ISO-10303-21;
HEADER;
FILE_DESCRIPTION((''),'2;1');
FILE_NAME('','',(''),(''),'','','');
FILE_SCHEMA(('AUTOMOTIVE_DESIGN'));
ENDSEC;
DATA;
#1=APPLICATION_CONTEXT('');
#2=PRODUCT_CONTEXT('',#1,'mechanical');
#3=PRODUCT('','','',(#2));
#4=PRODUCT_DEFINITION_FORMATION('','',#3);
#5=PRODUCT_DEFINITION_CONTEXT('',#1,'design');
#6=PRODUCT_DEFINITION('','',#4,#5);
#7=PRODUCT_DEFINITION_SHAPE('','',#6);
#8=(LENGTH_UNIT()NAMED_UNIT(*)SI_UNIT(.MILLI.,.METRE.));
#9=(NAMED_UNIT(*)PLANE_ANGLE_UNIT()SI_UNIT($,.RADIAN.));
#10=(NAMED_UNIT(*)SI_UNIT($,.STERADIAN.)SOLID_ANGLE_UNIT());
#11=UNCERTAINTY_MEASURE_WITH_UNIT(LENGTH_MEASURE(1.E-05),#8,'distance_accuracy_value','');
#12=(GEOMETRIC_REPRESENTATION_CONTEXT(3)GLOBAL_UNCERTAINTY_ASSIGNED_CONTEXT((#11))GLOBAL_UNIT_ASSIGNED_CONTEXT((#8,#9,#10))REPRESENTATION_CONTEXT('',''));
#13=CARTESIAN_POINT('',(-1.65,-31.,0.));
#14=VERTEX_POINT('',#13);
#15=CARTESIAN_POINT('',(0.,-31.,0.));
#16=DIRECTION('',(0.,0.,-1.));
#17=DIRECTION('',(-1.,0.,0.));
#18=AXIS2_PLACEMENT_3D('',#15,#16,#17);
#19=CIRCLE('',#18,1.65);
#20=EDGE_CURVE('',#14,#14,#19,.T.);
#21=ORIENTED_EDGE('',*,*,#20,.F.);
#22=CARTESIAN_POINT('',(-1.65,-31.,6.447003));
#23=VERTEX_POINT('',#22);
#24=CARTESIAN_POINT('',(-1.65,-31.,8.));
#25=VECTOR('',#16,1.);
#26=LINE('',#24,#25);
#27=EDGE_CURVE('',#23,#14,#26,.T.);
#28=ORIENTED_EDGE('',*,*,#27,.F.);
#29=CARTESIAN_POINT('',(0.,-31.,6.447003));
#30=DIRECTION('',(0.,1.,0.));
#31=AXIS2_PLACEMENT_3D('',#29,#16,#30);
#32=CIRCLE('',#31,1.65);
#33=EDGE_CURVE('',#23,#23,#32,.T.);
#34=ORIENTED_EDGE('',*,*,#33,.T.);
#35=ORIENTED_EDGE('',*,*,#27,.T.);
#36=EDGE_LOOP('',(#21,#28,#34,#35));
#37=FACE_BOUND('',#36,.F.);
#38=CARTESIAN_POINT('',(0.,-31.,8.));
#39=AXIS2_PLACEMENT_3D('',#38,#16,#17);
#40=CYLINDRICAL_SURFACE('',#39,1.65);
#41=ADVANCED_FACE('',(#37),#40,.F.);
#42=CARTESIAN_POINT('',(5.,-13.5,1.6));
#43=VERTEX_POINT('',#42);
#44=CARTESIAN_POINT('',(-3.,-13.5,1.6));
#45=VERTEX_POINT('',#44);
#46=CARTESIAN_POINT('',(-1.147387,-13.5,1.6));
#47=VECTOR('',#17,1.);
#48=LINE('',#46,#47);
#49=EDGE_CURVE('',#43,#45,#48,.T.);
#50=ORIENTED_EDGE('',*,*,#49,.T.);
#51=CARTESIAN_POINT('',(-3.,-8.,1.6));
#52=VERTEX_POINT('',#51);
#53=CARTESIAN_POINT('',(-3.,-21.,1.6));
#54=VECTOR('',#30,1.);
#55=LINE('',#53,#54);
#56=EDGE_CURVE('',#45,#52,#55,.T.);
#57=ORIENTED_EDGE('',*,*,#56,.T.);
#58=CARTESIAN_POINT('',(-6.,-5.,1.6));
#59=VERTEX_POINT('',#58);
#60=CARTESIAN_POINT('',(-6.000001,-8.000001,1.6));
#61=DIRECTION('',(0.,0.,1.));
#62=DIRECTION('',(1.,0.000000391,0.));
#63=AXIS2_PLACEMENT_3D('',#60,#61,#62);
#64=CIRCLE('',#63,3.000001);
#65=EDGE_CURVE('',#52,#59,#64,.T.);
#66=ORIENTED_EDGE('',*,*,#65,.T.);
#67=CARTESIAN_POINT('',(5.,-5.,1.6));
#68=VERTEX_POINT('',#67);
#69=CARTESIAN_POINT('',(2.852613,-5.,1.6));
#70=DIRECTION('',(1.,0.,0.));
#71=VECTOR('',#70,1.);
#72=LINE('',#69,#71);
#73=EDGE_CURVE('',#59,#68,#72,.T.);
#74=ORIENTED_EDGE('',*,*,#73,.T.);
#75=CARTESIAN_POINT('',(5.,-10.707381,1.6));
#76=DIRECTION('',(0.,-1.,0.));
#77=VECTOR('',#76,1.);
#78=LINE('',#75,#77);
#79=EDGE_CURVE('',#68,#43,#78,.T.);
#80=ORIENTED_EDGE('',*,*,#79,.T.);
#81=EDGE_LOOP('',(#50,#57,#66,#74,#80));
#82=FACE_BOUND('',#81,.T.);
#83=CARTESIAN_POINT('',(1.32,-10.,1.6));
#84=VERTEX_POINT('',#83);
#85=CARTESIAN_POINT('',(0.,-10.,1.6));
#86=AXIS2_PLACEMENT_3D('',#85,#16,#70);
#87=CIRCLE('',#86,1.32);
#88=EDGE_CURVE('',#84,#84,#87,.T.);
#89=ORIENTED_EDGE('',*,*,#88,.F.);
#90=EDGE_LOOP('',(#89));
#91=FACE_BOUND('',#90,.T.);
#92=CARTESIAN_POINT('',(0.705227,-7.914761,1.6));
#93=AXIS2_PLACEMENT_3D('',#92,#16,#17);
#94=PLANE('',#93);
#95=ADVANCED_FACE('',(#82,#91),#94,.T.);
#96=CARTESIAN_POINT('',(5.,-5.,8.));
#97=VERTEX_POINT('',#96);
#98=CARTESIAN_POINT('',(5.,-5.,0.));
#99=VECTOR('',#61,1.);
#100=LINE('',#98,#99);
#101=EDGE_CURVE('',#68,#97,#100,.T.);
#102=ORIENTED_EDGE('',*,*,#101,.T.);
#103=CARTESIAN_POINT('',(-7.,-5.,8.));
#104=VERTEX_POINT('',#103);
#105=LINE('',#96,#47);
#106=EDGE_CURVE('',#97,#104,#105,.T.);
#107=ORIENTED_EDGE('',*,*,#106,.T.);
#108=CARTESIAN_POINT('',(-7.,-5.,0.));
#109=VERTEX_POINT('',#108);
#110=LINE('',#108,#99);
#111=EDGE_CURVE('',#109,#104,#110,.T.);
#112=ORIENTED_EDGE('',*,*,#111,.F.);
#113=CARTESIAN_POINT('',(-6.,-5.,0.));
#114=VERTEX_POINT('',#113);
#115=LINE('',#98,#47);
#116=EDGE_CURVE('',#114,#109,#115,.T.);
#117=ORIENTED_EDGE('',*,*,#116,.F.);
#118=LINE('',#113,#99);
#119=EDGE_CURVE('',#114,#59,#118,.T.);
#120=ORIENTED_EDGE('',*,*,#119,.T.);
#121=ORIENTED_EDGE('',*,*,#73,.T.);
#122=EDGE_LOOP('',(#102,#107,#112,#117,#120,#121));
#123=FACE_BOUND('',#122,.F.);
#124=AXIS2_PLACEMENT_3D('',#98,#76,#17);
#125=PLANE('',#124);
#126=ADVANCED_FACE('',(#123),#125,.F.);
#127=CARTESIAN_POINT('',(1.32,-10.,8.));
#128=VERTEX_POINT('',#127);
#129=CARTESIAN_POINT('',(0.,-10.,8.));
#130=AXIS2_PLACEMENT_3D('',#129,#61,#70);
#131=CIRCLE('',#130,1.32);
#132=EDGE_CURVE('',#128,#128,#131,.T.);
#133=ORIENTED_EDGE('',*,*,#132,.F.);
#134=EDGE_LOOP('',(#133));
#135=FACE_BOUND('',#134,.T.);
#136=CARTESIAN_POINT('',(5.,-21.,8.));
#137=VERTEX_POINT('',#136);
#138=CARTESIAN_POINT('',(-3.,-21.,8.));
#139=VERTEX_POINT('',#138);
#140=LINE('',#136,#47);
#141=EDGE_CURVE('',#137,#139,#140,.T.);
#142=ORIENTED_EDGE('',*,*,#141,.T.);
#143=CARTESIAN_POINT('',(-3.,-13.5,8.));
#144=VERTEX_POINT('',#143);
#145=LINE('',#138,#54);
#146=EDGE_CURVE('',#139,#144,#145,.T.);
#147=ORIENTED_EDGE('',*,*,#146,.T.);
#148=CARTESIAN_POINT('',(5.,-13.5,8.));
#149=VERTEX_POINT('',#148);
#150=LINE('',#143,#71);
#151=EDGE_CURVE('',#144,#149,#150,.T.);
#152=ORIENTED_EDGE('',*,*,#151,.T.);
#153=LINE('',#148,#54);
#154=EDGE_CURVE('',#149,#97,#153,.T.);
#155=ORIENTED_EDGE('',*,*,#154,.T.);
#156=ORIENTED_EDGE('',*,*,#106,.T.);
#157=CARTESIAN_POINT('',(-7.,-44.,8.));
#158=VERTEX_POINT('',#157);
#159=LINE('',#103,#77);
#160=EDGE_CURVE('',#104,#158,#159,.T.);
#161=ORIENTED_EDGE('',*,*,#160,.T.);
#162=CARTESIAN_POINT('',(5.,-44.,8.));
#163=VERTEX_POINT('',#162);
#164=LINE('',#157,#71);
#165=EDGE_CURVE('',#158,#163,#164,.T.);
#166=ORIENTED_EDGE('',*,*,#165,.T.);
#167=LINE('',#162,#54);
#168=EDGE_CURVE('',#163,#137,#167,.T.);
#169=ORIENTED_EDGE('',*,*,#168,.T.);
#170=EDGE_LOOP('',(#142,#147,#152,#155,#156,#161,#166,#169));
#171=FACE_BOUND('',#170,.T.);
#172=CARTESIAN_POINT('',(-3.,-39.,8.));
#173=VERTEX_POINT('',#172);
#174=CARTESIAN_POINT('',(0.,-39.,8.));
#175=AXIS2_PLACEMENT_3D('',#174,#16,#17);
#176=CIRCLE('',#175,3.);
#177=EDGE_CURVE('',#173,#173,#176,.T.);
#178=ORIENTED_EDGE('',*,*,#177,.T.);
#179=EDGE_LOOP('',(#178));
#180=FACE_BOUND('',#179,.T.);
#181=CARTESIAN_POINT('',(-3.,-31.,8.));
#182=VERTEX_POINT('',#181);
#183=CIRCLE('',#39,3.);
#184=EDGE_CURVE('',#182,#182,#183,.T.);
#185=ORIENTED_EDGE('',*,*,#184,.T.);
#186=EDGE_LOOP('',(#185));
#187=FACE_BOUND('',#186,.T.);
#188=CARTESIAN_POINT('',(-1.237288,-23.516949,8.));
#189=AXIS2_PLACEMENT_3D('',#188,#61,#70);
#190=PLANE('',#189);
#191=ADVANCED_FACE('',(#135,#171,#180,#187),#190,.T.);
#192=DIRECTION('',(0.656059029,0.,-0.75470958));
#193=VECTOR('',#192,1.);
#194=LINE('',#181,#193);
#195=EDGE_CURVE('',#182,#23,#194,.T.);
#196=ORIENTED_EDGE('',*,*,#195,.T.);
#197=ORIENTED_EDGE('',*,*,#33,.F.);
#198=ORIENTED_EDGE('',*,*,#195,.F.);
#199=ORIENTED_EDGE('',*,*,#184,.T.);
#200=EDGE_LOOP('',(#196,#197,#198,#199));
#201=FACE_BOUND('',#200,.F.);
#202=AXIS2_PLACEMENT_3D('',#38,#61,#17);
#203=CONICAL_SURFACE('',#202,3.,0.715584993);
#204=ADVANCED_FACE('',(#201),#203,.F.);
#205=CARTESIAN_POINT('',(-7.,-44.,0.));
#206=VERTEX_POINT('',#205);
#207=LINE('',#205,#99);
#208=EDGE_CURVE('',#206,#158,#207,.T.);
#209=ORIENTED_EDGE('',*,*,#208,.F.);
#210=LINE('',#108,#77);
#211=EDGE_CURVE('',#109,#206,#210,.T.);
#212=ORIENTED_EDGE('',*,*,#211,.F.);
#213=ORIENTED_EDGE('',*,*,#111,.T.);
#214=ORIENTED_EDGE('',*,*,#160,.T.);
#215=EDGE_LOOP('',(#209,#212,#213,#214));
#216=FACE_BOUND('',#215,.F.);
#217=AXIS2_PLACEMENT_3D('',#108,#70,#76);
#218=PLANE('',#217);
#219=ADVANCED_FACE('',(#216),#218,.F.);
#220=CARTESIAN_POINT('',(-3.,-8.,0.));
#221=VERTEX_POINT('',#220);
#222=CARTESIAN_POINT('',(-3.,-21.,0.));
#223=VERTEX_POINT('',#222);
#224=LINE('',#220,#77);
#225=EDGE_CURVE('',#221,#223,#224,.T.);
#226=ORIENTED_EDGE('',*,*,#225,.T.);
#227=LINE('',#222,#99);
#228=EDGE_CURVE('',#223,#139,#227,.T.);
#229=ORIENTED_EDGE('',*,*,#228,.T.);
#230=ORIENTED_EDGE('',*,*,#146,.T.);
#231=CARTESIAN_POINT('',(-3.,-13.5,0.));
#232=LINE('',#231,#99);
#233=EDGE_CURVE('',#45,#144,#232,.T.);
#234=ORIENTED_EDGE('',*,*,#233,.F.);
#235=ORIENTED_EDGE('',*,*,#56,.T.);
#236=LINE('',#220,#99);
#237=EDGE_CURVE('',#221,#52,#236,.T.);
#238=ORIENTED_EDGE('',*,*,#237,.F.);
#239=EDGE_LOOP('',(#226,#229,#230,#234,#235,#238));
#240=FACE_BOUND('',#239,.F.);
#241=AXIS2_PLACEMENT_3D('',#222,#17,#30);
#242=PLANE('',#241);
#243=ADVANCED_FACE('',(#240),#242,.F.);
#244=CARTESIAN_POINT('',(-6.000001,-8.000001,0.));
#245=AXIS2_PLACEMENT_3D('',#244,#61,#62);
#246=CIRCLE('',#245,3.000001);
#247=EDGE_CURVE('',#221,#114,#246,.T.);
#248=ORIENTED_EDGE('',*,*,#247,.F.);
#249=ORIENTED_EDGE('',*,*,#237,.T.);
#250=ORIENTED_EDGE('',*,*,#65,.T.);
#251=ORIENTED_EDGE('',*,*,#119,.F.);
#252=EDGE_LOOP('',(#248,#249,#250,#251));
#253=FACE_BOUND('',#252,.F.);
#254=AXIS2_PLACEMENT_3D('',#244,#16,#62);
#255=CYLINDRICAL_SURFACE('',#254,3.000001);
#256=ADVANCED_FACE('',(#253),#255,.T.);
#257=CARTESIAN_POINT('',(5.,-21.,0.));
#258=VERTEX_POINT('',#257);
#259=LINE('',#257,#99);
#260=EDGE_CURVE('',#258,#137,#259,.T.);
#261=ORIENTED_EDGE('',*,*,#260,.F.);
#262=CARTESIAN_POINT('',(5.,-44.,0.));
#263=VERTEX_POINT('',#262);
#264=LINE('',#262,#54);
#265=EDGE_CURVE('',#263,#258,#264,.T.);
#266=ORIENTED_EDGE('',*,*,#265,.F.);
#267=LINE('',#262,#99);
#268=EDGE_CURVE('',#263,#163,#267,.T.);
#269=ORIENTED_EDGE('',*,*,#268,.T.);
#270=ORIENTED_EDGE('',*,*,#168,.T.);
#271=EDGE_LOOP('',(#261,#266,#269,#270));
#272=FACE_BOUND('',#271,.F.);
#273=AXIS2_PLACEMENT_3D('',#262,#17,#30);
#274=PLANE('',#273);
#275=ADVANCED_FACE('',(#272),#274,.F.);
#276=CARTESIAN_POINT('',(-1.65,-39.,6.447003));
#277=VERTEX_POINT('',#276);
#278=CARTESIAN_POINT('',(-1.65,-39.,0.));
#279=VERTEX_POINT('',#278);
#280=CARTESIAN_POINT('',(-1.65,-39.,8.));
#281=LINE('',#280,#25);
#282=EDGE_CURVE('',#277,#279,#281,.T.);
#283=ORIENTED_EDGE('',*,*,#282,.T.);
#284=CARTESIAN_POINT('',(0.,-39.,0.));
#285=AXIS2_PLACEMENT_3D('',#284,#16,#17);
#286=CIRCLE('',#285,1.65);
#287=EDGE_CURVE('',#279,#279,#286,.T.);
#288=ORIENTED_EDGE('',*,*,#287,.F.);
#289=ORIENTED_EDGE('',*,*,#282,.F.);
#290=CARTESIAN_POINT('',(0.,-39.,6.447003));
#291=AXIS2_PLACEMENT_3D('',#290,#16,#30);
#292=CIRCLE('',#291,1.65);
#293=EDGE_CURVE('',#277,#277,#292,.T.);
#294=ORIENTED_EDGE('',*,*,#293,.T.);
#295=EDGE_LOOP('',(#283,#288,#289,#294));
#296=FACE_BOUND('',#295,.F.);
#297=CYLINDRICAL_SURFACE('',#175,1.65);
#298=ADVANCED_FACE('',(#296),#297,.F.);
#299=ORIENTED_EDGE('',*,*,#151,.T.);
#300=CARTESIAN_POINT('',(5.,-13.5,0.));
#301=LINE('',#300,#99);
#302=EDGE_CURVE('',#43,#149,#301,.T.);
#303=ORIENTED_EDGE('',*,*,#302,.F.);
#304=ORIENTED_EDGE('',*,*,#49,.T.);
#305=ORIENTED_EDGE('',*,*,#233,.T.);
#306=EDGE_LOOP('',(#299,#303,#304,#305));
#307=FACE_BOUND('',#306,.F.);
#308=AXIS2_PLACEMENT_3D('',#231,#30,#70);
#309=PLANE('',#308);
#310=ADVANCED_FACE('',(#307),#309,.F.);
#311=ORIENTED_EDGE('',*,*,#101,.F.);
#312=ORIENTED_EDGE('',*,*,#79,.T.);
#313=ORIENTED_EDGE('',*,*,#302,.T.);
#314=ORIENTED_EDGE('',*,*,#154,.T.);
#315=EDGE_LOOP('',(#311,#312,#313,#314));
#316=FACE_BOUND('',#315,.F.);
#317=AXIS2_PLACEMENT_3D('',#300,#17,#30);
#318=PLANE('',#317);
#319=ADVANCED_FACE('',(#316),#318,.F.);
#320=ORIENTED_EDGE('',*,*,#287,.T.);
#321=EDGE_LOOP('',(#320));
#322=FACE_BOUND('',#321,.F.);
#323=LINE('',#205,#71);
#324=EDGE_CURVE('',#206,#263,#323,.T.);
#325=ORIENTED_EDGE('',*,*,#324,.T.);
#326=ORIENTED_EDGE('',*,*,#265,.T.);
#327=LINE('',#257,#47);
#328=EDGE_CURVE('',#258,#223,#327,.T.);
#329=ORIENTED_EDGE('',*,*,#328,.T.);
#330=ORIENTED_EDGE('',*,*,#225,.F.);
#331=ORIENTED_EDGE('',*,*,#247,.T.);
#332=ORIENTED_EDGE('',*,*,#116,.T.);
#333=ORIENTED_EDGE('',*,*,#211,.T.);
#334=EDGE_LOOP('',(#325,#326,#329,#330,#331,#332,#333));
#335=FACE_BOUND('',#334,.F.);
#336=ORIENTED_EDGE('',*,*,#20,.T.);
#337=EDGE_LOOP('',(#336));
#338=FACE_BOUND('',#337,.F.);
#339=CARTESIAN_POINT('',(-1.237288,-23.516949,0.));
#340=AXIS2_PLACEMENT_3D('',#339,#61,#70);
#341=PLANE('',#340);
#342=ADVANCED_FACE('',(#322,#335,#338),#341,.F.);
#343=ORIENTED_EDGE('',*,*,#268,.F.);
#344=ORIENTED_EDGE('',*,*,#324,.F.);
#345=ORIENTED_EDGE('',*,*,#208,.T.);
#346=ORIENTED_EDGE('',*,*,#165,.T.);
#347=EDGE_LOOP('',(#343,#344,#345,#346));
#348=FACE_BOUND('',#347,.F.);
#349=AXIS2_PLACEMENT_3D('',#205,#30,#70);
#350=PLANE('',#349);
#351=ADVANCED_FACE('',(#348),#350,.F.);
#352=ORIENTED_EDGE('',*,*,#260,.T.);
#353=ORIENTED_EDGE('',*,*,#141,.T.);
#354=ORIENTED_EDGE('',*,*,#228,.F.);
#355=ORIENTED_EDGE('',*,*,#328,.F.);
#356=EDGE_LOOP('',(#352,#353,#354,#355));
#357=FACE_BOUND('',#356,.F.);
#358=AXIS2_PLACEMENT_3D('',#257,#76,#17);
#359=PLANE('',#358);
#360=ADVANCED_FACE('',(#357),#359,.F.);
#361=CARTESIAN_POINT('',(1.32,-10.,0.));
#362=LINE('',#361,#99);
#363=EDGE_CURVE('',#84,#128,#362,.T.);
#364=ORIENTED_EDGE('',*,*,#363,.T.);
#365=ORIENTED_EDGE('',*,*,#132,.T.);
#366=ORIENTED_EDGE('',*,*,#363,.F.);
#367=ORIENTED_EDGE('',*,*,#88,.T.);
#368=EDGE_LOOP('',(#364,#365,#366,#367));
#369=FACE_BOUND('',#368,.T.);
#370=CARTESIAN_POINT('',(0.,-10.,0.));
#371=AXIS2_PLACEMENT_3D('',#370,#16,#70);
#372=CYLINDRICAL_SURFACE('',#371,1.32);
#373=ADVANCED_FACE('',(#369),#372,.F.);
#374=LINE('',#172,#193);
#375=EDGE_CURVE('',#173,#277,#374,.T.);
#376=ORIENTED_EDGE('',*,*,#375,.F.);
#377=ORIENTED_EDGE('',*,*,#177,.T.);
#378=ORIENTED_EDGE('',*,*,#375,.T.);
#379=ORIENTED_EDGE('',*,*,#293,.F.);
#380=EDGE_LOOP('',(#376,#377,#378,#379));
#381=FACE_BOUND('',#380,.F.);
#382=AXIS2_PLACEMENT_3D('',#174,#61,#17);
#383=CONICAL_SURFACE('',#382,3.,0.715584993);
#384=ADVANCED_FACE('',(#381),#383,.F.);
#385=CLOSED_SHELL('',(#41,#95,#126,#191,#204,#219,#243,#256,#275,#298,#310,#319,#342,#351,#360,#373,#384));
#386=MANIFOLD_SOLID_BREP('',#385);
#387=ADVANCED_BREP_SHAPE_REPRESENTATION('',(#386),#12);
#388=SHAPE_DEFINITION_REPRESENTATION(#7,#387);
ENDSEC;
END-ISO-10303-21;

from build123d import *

# Parameters (mm, degrees)
SKETCH099_R         = 1.32
PAD061_DEPTH        = 8
POCKET030_DEPTH     = 1.6
HOLE006_D           = 3.3
HOLE006_CSINK_D     = 6
HOLE006_CSINK_ANGLE = 82


with BuildPart() as part:
    # Sketch099 → Pad061 (new body)
    with BuildSketch(Plane.XY):
        Polygon((-7, -44), (5, -44), (5, -21), (-3, -21), (-3, -13.5), (5, -13.5), (5, -5), (-7, -5), align=None)
        with Locations((0, -10)):
            Circle(SKETCH099_R, mode=Mode.SUBTRACT)
    extrude(amount=PAD061_DEPTH)

    # Sketch100 → Pocket030 (cut)
    with BuildSketch(Plane.XY):
        with BuildLine():
            Line((6, -21), (-3, -21))
            Line((-3, -21), (-3, -8))
            ThreePointArc((-3, -8), (-3.87868, -5.87868), (-6, -5))
            Line((-6, -5), (-6, 4))
            Line((-6, 4), (6, 4))
            Line((6, 4), (6, -21))
        make_face()
    extrude(amount=POCKET030_DEPTH, mode=Mode.SUBTRACT)

    # Hole006 (through all)
    with Locations(Plane.XY.offset(8)):
        with Locations((0, -31), (0, -39)):
            CounterSinkHole(HOLE006_D / 2, HOLE006_CSINK_D / 2, counter_sink_angle=HOLE006_CSINK_ANGLE)


solid = part.part
